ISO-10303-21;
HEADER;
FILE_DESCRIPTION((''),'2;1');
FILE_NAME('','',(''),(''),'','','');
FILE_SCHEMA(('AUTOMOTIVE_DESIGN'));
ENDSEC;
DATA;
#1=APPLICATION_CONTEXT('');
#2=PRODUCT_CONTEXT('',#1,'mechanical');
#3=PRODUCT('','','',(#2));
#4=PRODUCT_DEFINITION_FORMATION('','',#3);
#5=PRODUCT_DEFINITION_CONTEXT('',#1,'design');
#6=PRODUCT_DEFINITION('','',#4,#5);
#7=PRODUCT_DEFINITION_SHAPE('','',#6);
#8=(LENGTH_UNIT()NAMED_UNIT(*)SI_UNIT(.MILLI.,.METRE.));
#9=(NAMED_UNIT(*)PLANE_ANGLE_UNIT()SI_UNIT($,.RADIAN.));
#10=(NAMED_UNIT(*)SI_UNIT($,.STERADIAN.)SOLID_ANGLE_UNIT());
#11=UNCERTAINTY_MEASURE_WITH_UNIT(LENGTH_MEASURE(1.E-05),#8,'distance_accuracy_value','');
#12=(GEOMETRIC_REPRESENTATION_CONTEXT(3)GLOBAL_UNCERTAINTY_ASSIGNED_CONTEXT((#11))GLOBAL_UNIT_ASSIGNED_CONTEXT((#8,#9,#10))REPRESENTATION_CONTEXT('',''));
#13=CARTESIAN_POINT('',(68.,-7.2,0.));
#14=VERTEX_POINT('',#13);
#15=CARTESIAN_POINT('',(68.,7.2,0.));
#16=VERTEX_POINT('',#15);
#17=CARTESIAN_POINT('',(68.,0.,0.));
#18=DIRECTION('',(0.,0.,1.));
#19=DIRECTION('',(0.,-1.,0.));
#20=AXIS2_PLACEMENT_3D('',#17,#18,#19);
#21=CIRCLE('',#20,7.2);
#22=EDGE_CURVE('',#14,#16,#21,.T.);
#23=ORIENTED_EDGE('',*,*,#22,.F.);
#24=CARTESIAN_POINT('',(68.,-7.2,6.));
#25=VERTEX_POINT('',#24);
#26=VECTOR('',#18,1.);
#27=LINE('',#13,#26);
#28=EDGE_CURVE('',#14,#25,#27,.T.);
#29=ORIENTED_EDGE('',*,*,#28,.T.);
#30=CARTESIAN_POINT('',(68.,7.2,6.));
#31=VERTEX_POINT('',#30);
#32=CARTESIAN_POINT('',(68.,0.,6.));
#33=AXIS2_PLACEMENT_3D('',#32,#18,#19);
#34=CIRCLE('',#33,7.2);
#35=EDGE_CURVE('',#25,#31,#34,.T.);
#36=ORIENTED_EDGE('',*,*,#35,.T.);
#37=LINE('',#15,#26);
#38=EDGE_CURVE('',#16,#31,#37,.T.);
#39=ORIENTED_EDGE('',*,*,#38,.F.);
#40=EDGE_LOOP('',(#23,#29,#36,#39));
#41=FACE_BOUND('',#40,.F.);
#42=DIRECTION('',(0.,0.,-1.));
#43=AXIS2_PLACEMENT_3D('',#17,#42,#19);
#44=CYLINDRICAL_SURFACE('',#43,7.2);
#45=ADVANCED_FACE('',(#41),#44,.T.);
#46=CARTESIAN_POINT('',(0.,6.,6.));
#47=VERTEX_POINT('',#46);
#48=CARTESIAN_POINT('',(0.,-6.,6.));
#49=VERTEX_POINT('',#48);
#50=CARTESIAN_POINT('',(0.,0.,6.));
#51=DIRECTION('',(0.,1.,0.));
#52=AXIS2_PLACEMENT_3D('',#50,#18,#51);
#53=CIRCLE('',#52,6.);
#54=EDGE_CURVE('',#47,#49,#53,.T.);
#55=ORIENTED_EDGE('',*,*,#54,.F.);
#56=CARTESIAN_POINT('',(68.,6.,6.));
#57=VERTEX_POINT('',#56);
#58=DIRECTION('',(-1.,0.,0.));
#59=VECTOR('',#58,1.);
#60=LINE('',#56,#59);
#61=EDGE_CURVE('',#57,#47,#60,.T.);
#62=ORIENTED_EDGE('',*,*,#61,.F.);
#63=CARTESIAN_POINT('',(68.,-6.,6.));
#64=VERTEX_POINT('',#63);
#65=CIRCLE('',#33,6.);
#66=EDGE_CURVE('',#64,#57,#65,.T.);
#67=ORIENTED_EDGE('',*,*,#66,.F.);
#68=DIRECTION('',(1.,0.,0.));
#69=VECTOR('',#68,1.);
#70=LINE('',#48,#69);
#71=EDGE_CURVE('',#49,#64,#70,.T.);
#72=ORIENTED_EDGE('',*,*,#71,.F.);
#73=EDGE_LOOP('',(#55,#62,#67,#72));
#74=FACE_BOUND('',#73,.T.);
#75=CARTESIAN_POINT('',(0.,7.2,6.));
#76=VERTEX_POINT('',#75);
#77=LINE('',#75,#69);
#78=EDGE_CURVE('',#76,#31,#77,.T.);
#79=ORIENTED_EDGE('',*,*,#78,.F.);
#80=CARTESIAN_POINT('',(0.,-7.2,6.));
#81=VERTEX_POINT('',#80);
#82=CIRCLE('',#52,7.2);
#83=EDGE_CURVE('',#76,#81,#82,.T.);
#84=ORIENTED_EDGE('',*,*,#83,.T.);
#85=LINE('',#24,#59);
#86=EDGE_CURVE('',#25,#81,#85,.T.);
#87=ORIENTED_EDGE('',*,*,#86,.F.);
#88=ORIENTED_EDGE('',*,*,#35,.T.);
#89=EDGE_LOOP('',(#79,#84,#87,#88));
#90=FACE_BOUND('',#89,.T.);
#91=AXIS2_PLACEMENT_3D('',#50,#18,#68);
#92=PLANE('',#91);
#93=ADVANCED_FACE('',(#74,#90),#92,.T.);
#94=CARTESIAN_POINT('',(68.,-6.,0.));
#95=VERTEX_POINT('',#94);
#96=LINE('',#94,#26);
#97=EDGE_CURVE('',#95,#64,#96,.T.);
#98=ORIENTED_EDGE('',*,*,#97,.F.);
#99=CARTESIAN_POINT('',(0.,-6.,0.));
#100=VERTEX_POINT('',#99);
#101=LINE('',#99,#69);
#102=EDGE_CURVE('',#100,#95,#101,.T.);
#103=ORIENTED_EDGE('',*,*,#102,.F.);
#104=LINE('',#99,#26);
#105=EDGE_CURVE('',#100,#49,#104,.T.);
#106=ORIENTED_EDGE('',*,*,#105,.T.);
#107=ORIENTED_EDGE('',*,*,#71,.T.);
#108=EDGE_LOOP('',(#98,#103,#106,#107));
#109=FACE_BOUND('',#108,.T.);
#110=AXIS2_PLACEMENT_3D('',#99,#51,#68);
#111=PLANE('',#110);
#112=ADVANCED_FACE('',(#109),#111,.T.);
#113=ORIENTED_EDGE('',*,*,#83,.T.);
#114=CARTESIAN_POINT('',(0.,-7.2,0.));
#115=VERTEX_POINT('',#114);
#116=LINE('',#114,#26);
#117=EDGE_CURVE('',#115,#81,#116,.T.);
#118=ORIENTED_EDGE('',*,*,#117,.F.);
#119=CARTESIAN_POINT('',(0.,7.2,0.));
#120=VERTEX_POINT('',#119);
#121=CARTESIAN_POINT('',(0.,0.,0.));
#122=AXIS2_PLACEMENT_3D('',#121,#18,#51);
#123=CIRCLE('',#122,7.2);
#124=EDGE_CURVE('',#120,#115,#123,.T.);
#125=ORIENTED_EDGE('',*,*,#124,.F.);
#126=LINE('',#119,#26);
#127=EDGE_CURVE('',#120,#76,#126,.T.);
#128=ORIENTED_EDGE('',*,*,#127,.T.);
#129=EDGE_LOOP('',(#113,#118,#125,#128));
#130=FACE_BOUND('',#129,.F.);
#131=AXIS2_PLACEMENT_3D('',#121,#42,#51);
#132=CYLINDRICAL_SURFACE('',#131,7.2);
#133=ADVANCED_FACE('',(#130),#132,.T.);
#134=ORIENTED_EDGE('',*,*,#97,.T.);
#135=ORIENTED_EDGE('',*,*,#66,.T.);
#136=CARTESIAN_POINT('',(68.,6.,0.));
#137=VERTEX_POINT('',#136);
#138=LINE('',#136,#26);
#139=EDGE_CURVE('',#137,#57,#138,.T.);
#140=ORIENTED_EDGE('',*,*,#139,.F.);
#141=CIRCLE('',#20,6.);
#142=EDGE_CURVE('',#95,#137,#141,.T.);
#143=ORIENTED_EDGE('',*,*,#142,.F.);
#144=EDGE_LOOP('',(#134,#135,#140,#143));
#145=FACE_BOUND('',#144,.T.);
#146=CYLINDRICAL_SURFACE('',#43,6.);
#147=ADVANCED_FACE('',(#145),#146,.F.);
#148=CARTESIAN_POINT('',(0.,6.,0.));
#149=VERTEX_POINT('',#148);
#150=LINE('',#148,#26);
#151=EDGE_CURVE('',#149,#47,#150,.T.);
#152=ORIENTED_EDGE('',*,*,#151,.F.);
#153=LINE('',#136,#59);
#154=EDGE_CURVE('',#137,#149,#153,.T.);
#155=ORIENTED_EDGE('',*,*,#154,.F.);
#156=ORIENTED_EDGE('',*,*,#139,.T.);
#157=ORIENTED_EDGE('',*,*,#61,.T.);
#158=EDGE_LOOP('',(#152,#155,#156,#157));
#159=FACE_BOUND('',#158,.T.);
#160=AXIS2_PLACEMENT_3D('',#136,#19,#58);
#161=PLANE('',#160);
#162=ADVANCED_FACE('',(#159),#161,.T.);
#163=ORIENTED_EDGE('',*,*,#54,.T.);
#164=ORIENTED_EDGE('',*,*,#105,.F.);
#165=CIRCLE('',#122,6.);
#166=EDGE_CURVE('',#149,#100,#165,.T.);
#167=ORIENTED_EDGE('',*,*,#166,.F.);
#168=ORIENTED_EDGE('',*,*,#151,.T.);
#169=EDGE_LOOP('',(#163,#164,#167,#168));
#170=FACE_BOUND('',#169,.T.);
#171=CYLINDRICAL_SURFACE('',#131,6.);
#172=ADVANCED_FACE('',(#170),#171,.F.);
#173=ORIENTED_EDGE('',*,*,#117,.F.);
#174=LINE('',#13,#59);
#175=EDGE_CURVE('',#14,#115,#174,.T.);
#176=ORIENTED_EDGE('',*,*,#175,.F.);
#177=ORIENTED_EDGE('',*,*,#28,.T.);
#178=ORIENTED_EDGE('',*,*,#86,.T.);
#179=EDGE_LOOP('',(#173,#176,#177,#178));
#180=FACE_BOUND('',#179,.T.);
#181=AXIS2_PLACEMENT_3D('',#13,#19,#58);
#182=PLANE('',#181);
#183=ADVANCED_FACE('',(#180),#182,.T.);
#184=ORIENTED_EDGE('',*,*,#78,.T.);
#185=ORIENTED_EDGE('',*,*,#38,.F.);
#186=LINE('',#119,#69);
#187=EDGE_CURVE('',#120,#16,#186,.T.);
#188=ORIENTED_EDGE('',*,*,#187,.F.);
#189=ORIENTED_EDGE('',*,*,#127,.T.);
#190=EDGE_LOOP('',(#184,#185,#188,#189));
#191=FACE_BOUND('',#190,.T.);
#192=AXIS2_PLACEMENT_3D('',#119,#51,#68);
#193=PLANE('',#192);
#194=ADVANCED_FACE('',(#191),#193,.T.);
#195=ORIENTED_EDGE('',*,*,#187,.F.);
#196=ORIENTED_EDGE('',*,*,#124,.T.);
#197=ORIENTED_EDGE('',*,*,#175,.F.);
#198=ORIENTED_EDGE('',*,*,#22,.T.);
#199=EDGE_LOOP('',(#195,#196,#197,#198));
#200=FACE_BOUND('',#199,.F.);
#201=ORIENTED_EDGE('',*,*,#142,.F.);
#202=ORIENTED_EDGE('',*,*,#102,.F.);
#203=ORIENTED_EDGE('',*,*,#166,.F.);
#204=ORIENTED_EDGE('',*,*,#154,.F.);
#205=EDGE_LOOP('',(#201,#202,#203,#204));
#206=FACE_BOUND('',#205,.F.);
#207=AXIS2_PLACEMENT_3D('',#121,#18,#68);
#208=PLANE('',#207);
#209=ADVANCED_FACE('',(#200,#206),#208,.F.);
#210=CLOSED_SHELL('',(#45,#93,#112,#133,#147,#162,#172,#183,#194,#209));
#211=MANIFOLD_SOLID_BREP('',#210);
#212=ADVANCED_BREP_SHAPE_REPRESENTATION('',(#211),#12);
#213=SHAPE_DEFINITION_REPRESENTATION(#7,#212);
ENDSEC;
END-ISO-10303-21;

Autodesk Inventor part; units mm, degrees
ref_plane "YZ Plane" through (0, 0, 0) normal (1, 0, 0) x (0, 1, 0)
ref_plane "XZ Plane" through (0, 0, 0) normal (0, 1, 0) x (-1, 0, 0)
ref_plane "XY Plane" through (0, 0, 0) normal (0, 0, 1) x (1, 0, 0)
sketch "Sketch1" plane through (0, 0, 0) normal (0, 0, 1) x (1, 0, 0)
  arc A0 (0, 6) -> (0, -6) centre (0, 0) ccw
  arc A1 (68, -6) -> (68, 6) centre (68, 0) ccw
  line L0 (0, -6) -> (68, -6)
  line L1 (68, 6) -> (0, 6)
  line L2 (0, 7.2) -> (68, 7.2)
  arc A2 (68, -7.2) -> (68, 7.2) centre (68, 0) ccw
  line L3 (68, -7.2) -> (0, -7.2)
  arc A3 (0, 7.2) -> (0, -7.2) centre (0, 0) ccw
  dimension "d0" = 12
  dimension "d2" = 12
  dimension "d3" = 68
  dimension "d4" = 1.2
extrude "Extrusion1" add sketch "Sketch1" along normal blind 6
properties part number "gt2Belt188"
